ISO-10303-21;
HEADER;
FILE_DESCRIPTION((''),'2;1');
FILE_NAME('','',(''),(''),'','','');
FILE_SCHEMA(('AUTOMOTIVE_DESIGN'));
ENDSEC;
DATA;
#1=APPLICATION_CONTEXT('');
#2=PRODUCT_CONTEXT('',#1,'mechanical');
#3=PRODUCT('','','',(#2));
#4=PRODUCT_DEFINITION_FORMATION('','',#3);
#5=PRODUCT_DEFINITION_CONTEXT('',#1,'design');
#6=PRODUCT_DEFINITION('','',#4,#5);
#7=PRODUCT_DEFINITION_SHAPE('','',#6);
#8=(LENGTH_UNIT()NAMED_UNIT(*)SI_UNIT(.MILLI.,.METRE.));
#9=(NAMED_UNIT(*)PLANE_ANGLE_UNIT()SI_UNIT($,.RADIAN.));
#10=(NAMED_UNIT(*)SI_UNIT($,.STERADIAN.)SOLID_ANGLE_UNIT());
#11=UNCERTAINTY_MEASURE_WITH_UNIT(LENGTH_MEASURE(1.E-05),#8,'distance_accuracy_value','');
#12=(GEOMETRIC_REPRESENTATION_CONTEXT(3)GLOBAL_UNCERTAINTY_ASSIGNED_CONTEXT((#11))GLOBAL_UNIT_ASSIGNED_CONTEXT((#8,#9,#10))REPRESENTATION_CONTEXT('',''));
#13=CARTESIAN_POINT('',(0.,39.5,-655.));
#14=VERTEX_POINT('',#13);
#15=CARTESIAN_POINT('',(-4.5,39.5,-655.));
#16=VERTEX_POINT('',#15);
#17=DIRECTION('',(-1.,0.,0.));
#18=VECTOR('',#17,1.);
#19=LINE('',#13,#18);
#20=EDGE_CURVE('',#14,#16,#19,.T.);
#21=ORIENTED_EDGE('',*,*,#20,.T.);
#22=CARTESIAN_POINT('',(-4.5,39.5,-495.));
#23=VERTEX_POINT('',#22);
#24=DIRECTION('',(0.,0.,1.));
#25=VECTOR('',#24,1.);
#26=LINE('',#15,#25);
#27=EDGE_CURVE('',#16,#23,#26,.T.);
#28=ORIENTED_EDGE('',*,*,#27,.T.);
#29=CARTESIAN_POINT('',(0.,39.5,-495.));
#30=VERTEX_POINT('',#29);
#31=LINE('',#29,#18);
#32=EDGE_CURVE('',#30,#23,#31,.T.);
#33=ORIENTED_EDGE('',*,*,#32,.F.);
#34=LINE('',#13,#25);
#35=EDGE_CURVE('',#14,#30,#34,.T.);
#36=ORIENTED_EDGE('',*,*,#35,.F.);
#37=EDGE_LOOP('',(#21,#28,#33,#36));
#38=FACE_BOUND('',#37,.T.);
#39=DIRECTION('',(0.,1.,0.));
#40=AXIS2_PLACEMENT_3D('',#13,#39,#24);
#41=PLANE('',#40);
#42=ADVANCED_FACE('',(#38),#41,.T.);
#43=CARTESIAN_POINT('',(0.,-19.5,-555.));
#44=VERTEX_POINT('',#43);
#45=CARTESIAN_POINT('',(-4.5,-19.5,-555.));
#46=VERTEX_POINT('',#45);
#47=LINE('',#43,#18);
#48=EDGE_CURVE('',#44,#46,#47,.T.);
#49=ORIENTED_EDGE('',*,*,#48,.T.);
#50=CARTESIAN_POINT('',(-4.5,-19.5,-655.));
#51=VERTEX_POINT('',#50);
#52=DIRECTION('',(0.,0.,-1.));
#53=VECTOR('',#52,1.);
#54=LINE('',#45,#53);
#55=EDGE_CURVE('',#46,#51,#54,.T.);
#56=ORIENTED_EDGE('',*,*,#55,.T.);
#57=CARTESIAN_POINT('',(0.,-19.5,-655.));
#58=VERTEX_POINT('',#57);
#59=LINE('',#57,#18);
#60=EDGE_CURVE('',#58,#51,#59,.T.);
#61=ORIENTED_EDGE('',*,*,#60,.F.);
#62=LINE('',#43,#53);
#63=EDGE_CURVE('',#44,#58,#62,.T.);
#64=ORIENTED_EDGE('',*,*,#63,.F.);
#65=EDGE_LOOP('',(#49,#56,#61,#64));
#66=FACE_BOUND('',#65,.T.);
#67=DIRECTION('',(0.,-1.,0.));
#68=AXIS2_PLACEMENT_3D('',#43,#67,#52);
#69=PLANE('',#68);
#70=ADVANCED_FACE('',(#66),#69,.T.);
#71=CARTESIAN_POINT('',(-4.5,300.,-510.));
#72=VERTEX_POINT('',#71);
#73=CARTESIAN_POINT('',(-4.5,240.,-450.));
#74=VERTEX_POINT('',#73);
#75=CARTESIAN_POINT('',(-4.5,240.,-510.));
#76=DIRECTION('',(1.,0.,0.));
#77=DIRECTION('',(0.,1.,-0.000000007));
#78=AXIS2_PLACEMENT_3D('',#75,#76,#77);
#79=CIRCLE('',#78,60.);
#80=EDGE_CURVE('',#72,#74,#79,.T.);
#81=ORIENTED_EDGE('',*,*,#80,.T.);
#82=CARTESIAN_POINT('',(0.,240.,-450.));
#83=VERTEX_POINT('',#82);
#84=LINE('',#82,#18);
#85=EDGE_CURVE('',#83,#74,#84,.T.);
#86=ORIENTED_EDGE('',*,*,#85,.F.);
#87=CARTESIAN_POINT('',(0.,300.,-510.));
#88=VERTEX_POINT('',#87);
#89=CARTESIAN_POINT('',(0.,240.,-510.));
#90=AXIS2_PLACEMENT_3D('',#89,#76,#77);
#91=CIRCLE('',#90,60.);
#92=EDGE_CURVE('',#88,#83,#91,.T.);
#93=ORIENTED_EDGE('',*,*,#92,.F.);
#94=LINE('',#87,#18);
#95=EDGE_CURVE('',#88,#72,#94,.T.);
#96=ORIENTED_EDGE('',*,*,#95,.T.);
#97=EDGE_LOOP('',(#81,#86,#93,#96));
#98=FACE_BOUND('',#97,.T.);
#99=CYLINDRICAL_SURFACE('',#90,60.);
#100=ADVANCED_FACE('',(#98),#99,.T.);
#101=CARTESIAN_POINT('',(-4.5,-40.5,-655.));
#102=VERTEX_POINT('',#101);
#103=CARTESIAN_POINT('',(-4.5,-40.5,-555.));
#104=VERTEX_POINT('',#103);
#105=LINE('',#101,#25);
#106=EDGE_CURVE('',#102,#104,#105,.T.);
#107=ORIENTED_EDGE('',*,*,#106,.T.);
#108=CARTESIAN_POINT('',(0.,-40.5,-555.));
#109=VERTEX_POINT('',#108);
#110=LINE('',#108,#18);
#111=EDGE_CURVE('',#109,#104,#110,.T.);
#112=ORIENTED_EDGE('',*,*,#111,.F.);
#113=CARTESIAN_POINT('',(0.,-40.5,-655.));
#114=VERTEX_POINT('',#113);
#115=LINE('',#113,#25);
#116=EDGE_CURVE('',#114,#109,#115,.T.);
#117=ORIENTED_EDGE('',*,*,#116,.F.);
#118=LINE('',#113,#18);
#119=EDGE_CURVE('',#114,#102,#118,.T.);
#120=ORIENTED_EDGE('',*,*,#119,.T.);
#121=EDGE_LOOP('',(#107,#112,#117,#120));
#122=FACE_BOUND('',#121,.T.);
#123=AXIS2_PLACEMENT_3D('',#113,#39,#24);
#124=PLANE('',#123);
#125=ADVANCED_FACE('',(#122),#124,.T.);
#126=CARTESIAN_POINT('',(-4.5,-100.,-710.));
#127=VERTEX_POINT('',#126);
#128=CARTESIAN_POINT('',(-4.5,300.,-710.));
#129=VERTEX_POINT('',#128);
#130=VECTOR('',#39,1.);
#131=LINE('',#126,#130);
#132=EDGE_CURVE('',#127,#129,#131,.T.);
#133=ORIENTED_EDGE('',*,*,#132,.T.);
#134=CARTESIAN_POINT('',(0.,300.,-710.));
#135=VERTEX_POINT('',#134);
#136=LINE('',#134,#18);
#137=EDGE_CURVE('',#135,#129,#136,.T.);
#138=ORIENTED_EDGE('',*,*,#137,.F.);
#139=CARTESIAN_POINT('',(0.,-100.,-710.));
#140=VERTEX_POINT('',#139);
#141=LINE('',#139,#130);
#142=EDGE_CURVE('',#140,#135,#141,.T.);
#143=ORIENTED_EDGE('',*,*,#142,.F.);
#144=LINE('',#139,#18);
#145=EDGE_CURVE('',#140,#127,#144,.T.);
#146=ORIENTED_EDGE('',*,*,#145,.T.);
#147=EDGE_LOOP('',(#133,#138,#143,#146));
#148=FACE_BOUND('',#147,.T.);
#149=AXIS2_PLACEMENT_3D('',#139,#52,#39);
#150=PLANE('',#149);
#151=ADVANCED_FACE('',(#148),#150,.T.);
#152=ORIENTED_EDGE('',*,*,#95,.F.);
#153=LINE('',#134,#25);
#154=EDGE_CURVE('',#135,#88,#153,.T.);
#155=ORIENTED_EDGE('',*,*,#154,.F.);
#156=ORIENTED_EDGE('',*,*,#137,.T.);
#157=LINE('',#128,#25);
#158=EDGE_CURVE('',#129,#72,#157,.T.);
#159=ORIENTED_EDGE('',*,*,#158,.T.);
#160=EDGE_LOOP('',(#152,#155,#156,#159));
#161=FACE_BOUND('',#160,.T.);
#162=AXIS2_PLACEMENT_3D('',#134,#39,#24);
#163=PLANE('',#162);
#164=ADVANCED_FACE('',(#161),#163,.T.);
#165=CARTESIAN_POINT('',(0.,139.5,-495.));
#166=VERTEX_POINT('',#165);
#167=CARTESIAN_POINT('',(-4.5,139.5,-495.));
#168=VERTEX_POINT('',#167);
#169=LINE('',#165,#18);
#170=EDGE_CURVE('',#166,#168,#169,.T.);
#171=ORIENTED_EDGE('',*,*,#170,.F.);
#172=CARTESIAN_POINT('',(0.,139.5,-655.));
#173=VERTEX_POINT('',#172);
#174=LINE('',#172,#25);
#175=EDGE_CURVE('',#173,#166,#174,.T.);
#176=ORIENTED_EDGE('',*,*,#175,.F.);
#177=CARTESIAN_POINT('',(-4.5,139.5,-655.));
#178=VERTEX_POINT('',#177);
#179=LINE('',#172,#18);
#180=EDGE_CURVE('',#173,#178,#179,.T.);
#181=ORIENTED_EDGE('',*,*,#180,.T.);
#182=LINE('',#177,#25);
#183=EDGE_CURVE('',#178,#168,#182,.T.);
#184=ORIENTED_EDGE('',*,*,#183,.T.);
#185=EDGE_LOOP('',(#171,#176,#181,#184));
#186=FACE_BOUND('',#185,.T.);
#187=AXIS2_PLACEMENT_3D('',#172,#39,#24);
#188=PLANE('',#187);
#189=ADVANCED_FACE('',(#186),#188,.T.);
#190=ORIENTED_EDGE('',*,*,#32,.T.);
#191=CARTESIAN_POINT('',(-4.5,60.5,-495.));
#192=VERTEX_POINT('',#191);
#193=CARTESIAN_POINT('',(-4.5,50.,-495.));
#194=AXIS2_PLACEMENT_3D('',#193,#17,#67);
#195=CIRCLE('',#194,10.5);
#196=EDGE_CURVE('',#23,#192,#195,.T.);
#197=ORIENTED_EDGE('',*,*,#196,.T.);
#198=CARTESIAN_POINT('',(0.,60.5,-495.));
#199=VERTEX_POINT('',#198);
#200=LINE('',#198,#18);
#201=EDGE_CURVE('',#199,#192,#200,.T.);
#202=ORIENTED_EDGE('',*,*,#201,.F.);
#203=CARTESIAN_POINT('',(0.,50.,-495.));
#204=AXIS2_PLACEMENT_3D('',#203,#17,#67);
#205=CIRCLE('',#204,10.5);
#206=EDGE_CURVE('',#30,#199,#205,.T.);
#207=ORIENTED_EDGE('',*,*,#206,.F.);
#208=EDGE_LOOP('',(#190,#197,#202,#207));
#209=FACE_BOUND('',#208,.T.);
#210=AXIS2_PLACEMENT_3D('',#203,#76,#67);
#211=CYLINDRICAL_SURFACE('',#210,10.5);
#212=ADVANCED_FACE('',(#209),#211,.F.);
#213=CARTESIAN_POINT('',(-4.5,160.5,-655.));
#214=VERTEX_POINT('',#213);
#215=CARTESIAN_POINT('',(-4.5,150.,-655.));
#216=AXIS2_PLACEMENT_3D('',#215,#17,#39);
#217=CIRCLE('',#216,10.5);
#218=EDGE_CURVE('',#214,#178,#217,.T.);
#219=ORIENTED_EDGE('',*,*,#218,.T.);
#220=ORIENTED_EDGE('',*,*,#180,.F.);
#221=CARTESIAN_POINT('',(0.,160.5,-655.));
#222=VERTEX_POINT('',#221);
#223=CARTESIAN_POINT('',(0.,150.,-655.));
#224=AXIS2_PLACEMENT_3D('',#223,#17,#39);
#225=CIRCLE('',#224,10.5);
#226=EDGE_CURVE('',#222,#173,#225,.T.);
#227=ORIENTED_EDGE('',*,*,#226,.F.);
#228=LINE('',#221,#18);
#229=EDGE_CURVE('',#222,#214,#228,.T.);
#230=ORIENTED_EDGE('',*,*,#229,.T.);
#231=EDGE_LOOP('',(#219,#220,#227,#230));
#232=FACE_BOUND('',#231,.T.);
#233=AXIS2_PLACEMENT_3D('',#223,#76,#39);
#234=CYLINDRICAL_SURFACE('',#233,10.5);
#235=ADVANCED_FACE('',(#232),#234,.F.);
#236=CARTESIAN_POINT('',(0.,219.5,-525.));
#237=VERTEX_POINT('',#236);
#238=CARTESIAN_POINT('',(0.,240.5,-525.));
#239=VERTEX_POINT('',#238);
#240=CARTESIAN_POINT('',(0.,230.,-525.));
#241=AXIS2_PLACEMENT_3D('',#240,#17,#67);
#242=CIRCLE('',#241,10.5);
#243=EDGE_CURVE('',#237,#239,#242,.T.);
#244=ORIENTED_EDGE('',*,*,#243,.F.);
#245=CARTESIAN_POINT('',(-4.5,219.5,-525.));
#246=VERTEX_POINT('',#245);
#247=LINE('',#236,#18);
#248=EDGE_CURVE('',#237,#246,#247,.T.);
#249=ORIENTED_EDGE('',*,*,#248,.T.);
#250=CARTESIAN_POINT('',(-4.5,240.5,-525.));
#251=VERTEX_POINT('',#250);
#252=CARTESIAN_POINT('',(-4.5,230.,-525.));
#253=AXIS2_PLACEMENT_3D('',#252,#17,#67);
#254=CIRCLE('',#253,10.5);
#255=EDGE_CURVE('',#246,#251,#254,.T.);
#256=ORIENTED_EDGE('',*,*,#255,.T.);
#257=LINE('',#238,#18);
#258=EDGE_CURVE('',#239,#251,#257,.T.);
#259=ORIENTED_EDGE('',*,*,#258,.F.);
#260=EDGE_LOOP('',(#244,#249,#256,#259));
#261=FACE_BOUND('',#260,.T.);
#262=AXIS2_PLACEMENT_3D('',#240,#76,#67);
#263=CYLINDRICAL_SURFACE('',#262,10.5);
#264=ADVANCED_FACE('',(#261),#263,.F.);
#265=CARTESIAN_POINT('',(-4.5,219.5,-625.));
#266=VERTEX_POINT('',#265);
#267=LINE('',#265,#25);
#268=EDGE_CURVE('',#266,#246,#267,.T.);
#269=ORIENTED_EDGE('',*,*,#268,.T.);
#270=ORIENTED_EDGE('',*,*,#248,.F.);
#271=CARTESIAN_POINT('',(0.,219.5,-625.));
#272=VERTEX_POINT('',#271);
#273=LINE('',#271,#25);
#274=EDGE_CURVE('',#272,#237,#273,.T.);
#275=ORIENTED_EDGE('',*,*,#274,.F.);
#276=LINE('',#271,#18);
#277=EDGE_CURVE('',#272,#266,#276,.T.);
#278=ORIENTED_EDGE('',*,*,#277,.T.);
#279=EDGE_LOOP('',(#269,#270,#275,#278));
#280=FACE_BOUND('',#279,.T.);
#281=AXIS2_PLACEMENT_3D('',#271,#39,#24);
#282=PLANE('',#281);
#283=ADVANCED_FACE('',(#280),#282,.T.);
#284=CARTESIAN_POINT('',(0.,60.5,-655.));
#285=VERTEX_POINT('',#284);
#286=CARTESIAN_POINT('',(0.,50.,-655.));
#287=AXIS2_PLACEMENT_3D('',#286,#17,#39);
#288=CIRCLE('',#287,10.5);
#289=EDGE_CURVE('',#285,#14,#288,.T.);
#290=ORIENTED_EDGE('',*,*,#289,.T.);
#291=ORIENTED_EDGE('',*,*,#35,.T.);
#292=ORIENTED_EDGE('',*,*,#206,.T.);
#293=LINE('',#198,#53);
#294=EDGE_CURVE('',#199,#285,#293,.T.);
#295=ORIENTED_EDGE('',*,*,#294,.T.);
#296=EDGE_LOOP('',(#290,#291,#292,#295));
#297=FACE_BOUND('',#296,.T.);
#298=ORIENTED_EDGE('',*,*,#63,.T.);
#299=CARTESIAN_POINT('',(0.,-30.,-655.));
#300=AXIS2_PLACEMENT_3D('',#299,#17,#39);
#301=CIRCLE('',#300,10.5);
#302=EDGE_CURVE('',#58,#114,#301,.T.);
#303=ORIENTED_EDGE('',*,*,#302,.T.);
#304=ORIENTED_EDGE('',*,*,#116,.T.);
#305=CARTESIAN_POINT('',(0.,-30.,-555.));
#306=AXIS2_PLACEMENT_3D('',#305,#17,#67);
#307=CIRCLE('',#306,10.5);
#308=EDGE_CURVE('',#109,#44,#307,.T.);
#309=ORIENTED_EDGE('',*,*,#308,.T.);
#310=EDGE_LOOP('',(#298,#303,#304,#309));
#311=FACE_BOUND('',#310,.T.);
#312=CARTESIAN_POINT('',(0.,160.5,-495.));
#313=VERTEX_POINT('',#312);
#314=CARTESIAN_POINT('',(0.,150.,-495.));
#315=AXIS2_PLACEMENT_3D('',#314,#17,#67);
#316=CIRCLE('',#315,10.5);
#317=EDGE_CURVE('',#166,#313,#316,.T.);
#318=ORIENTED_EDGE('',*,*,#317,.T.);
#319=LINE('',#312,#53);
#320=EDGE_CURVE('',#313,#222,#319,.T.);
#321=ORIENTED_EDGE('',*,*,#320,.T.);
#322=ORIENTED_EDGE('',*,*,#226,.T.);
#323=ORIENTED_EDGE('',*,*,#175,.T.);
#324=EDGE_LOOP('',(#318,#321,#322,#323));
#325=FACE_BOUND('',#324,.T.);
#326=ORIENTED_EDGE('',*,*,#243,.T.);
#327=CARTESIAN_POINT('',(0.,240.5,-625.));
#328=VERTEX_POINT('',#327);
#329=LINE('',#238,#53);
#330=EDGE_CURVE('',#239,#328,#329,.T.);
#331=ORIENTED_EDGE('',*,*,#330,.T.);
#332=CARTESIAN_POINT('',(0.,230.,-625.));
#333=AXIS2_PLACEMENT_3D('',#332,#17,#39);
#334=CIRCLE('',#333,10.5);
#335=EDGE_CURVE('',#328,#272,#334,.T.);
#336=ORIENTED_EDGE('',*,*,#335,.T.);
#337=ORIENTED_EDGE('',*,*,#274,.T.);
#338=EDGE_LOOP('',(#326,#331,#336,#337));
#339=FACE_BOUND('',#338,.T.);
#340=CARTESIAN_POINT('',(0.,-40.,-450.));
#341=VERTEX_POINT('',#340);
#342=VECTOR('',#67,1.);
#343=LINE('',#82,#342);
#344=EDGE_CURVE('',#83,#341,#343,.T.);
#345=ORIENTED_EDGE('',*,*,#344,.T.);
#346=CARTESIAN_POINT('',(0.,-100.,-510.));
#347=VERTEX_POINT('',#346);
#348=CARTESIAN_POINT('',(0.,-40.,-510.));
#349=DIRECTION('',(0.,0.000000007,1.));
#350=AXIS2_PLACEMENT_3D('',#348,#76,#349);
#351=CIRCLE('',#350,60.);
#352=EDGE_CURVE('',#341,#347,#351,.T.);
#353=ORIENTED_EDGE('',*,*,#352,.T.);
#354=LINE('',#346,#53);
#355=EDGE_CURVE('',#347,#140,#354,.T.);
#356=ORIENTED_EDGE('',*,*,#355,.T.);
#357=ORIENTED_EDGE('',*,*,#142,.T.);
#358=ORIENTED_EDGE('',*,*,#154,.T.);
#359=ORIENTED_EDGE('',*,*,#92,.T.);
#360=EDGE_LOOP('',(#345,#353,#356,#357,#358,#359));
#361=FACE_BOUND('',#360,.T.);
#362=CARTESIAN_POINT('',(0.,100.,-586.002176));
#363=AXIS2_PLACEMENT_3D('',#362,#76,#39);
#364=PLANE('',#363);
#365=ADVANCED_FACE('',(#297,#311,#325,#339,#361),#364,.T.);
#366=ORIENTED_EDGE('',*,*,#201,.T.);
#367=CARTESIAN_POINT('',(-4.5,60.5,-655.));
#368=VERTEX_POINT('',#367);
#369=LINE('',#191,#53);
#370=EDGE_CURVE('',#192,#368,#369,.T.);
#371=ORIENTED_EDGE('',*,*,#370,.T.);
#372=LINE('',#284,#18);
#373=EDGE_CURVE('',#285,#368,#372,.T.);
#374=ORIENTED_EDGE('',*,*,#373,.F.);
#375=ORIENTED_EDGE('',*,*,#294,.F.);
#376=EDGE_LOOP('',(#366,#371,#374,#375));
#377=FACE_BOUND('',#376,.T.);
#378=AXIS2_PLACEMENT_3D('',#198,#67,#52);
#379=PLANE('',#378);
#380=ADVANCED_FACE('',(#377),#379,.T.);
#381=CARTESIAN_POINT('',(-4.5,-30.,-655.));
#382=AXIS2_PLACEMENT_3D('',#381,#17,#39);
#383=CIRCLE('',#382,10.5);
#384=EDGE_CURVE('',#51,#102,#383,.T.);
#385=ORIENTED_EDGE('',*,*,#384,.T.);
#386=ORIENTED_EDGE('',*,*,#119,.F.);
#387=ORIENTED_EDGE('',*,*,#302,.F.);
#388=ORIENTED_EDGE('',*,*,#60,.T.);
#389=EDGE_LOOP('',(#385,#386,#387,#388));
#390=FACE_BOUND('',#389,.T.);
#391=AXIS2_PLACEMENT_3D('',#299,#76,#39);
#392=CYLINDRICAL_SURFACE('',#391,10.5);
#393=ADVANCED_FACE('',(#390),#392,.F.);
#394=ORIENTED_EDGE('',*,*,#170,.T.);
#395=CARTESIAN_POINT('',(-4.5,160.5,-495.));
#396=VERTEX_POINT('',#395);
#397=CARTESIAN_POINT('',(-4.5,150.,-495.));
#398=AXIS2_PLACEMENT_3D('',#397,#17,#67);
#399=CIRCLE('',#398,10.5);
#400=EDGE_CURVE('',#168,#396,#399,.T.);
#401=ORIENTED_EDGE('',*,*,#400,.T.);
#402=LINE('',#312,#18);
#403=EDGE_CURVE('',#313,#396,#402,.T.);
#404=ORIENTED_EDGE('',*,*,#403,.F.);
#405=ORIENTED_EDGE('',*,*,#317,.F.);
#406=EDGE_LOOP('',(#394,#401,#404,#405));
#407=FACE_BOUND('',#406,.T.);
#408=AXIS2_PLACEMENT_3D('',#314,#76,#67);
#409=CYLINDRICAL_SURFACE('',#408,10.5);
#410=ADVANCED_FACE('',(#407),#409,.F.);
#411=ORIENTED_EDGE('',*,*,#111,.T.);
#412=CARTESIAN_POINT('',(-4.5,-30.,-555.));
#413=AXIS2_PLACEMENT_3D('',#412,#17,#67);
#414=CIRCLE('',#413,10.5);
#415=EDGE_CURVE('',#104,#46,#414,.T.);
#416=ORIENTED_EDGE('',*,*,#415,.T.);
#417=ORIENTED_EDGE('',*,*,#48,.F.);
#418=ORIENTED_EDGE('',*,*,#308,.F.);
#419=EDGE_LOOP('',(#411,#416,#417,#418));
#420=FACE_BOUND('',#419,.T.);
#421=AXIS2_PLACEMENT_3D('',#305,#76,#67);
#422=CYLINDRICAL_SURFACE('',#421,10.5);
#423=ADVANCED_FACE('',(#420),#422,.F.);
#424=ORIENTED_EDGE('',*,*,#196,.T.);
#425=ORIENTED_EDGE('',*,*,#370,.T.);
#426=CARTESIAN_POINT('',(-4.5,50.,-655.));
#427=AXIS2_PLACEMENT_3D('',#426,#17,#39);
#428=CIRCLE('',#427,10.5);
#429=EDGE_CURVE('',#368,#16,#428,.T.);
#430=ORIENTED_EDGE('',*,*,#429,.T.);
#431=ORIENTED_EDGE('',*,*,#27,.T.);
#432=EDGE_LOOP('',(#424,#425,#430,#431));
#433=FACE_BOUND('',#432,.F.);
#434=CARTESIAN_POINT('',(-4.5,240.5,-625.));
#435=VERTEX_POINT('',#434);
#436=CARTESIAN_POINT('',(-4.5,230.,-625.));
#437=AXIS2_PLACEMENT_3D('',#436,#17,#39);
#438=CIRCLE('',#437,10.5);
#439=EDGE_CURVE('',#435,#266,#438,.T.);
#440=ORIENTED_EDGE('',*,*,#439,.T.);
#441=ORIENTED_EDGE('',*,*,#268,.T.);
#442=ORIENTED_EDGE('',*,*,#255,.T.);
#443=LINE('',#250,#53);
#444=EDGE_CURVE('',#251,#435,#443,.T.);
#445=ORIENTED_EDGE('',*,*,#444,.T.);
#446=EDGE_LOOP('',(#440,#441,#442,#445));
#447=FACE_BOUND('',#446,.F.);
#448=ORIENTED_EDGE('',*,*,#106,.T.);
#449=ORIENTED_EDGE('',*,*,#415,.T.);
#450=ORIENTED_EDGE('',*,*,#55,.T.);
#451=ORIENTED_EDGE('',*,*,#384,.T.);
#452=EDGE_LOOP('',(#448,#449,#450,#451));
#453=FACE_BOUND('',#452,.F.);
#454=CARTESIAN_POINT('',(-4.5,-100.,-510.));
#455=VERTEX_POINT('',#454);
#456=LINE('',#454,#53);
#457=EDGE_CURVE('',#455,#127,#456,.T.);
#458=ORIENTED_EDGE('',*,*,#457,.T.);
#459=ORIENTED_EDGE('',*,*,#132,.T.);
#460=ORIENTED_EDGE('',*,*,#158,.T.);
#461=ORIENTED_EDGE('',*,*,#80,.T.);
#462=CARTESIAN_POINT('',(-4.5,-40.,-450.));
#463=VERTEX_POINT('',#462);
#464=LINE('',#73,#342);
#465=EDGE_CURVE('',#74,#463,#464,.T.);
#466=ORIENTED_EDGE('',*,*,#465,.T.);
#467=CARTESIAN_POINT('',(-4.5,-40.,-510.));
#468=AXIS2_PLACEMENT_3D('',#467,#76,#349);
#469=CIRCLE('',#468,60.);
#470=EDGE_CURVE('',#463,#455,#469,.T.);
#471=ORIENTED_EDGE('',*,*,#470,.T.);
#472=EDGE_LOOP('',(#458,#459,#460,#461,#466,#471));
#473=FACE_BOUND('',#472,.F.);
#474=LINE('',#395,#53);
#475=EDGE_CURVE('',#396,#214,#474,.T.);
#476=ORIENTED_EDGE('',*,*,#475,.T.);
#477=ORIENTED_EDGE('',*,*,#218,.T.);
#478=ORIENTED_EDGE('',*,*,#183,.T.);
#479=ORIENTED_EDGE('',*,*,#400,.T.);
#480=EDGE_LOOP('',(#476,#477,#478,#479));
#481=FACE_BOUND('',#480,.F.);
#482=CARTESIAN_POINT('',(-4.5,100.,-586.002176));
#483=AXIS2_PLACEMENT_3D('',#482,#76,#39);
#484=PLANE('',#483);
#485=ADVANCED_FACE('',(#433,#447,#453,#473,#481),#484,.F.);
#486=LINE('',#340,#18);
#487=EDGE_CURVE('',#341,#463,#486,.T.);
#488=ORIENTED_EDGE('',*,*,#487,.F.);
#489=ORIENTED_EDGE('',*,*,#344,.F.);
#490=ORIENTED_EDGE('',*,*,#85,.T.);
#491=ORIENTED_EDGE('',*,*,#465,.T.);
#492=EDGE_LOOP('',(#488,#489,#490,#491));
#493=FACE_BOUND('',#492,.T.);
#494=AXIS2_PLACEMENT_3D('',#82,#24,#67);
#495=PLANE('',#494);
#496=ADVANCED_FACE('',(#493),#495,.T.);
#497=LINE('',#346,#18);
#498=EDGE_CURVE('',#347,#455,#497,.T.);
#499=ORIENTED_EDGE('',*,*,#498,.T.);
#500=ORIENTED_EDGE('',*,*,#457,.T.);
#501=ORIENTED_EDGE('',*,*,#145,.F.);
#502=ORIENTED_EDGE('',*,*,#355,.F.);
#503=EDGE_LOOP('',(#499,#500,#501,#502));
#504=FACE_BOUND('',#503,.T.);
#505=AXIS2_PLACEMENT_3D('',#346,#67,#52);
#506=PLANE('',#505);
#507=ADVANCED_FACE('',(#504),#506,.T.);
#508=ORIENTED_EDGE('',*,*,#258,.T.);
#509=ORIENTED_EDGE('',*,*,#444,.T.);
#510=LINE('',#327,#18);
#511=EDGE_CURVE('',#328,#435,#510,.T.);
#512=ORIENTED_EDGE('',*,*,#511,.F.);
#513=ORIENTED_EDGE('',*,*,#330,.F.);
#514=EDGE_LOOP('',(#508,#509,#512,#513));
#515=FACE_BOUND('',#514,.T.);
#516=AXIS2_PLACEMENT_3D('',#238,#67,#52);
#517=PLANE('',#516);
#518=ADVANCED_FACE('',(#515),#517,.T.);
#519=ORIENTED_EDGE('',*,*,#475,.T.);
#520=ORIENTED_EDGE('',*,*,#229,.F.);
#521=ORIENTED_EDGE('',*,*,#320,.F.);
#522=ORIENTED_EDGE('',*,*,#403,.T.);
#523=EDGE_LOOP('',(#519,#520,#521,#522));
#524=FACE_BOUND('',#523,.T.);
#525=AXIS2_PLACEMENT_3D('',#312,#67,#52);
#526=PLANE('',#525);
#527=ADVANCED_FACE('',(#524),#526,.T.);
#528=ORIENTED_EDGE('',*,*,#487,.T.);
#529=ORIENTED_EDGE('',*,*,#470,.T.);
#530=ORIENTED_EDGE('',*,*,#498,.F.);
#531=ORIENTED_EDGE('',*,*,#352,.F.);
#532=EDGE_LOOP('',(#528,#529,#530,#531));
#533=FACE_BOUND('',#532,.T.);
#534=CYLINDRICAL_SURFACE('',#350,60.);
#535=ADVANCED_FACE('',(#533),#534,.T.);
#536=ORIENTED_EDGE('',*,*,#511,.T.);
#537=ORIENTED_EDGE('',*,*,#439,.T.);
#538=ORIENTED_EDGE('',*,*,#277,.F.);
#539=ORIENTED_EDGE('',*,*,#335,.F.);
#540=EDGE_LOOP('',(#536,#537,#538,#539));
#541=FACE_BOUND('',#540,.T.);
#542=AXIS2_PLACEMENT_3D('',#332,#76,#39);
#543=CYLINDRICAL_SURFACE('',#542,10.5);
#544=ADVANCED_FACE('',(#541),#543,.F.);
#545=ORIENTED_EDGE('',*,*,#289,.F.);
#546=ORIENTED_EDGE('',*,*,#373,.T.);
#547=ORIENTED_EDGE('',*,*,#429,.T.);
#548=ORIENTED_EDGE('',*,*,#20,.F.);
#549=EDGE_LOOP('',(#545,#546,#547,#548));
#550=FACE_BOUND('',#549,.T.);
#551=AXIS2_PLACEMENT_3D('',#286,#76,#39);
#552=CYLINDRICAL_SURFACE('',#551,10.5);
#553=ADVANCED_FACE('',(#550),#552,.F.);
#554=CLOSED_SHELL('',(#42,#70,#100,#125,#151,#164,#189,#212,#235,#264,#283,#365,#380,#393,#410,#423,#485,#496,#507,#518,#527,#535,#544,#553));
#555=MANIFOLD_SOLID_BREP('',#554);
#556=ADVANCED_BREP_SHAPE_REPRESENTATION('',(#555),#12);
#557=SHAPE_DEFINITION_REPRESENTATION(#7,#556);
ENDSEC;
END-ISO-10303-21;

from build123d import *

# Parameters (mm, degrees)
F1_DEPTH = 4.5


with BuildPart() as f1:
    # F0 (on Right) → F1 (new body)
    with BuildSketch(Plane.YZ):
        with BuildLine():
            Line((-100, -710), (300, -710))
            Line((300, -710), (300, -510))
            ThreePointArc((300, -510), (282.426407, -467.573593), (240, -450))
            Line((240, -450), (-40, -450))
            ThreePointArc((-40, -450), (-82.426407, -467.573593), (-100, -510))
            Line((-100, -510), (-100, -710))
        make_face()
        with BuildLine():
            ThreePointArc((-19.5, -655), (-30, -665.5), (-40.5, -655))
            Line((-40.5, -655), (-40.5, -555))
            ThreePointArc((-40.5, -555), (-30, -544.5), (-19.5, -555))
            Line((-19.5, -555), (-19.5, -655))
        make_face(mode=Mode.SUBTRACT)
        with BuildLine():
            Line((39.5, -655), (39.5, -495))
            ThreePointArc((39.5, -495), (50, -484.5), (60.5, -495))
            Line((60.5, -495), (60.5, -655))
            ThreePointArc((60.5, -655), (50, -665.5), (39.5, -655))
        make_face(mode=Mode.SUBTRACT)
        with BuildLine():
            Line((139.5, -655), (139.5, -495))
            ThreePointArc((139.5, -495), (150, -484.5), (160.5, -495))
            Line((160.5, -495), (160.5, -655))
            ThreePointArc((160.5, -655), (150, -665.5), (139.5, -655))
        make_face(mode=Mode.SUBTRACT)
        with BuildLine():
            ThreePointArc((240.5, -625), (230, -635.5), (219.5, -625))
            Line((219.5, -625), (219.5, -525))
            ThreePointArc((219.5, -525), (230, -514.5), (240.5, -525))
            Line((240.5, -525), (240.5, -625))
        make_face(mode=Mode.SUBTRACT)
    extrude(amount=-F1_DEPTH)


solid = f1.part
